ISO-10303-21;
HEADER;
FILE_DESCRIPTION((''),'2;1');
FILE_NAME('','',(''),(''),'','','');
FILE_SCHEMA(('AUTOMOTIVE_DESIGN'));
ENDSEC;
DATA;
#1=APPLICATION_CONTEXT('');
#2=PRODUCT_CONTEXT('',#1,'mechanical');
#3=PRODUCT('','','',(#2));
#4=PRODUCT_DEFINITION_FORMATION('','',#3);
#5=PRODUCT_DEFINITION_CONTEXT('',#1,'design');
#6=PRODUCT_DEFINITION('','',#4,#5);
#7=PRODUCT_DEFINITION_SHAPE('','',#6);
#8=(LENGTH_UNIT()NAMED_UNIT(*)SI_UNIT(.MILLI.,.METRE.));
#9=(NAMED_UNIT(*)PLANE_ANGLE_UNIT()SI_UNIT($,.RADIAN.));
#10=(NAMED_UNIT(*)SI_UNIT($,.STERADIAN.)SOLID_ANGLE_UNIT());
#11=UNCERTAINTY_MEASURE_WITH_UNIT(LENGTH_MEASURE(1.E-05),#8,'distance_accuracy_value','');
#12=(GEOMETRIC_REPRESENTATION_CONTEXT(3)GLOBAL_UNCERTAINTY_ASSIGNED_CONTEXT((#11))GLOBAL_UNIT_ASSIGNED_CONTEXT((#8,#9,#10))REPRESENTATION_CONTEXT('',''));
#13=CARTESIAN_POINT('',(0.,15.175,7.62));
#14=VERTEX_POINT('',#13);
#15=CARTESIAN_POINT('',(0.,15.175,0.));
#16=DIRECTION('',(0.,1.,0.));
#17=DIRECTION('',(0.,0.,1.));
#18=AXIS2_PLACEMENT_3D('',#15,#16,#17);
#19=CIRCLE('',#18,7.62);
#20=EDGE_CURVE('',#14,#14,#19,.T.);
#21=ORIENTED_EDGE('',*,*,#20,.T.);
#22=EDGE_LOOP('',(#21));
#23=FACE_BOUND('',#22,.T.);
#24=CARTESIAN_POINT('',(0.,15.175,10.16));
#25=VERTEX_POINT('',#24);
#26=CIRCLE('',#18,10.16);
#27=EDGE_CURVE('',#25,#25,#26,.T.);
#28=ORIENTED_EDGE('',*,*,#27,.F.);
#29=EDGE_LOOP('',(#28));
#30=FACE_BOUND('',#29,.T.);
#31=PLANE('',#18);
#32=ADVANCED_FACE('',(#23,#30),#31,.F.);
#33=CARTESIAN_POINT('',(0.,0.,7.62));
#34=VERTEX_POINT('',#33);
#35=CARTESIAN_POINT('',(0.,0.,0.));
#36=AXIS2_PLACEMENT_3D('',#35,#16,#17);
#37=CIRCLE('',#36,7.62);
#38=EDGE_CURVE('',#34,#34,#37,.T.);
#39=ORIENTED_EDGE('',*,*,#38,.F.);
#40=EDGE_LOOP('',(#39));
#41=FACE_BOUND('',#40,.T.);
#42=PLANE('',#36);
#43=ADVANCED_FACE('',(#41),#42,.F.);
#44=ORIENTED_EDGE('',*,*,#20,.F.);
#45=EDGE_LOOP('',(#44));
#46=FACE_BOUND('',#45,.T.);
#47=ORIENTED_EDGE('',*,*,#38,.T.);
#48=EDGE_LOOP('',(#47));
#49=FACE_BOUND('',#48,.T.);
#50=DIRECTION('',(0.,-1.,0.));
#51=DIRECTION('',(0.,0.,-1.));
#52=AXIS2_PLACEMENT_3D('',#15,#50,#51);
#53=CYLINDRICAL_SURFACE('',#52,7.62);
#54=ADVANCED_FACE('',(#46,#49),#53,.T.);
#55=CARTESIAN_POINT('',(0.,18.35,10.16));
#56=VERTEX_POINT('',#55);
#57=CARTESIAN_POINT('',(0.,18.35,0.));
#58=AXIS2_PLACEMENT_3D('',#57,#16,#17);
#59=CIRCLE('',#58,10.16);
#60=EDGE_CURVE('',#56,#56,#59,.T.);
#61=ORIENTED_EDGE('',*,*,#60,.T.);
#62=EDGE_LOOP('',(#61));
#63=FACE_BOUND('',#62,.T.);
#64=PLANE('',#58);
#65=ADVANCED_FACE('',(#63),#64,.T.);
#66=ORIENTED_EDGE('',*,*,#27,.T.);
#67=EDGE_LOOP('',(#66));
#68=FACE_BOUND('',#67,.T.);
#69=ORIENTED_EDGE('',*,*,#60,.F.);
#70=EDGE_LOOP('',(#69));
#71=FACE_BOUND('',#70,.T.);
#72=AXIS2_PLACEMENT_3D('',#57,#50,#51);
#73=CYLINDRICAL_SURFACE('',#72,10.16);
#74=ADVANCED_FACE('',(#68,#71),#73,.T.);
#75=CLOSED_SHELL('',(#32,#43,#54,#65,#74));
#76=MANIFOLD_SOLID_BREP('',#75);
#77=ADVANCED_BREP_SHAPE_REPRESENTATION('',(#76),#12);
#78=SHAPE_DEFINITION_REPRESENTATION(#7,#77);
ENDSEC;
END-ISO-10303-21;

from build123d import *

# Parameters (mm, degrees)
SKETCH1_R           = 7.62
BOSS_EXTRUDE1_DEPTH = 15.175
SKETCH2_R           = 10.16
BOSS_EXTRUDE2_DEPTH = 3.175


with BuildPart() as part:
    # Sketch1 → Boss-Extrude1 (new body)
    with BuildSketch(Plane(origin=(0, 0, 0), x_dir=(1, 0, 0), z_dir=(0, 1, 0))):
        Circle(SKETCH1_R)
    extrude(amount=BOSS_EXTRUDE1_DEPTH)

    # Sketch2 → Boss-Extrude2 (add)
    with BuildSketch(Plane(origin=(0, 15.175, 0), x_dir=(1, 0, 0), z_dir=(0, 1, 0))):
        Circle(SKETCH2_R)
    extrude(amount=BOSS_EXTRUDE2_DEPTH)


solid = part.part
